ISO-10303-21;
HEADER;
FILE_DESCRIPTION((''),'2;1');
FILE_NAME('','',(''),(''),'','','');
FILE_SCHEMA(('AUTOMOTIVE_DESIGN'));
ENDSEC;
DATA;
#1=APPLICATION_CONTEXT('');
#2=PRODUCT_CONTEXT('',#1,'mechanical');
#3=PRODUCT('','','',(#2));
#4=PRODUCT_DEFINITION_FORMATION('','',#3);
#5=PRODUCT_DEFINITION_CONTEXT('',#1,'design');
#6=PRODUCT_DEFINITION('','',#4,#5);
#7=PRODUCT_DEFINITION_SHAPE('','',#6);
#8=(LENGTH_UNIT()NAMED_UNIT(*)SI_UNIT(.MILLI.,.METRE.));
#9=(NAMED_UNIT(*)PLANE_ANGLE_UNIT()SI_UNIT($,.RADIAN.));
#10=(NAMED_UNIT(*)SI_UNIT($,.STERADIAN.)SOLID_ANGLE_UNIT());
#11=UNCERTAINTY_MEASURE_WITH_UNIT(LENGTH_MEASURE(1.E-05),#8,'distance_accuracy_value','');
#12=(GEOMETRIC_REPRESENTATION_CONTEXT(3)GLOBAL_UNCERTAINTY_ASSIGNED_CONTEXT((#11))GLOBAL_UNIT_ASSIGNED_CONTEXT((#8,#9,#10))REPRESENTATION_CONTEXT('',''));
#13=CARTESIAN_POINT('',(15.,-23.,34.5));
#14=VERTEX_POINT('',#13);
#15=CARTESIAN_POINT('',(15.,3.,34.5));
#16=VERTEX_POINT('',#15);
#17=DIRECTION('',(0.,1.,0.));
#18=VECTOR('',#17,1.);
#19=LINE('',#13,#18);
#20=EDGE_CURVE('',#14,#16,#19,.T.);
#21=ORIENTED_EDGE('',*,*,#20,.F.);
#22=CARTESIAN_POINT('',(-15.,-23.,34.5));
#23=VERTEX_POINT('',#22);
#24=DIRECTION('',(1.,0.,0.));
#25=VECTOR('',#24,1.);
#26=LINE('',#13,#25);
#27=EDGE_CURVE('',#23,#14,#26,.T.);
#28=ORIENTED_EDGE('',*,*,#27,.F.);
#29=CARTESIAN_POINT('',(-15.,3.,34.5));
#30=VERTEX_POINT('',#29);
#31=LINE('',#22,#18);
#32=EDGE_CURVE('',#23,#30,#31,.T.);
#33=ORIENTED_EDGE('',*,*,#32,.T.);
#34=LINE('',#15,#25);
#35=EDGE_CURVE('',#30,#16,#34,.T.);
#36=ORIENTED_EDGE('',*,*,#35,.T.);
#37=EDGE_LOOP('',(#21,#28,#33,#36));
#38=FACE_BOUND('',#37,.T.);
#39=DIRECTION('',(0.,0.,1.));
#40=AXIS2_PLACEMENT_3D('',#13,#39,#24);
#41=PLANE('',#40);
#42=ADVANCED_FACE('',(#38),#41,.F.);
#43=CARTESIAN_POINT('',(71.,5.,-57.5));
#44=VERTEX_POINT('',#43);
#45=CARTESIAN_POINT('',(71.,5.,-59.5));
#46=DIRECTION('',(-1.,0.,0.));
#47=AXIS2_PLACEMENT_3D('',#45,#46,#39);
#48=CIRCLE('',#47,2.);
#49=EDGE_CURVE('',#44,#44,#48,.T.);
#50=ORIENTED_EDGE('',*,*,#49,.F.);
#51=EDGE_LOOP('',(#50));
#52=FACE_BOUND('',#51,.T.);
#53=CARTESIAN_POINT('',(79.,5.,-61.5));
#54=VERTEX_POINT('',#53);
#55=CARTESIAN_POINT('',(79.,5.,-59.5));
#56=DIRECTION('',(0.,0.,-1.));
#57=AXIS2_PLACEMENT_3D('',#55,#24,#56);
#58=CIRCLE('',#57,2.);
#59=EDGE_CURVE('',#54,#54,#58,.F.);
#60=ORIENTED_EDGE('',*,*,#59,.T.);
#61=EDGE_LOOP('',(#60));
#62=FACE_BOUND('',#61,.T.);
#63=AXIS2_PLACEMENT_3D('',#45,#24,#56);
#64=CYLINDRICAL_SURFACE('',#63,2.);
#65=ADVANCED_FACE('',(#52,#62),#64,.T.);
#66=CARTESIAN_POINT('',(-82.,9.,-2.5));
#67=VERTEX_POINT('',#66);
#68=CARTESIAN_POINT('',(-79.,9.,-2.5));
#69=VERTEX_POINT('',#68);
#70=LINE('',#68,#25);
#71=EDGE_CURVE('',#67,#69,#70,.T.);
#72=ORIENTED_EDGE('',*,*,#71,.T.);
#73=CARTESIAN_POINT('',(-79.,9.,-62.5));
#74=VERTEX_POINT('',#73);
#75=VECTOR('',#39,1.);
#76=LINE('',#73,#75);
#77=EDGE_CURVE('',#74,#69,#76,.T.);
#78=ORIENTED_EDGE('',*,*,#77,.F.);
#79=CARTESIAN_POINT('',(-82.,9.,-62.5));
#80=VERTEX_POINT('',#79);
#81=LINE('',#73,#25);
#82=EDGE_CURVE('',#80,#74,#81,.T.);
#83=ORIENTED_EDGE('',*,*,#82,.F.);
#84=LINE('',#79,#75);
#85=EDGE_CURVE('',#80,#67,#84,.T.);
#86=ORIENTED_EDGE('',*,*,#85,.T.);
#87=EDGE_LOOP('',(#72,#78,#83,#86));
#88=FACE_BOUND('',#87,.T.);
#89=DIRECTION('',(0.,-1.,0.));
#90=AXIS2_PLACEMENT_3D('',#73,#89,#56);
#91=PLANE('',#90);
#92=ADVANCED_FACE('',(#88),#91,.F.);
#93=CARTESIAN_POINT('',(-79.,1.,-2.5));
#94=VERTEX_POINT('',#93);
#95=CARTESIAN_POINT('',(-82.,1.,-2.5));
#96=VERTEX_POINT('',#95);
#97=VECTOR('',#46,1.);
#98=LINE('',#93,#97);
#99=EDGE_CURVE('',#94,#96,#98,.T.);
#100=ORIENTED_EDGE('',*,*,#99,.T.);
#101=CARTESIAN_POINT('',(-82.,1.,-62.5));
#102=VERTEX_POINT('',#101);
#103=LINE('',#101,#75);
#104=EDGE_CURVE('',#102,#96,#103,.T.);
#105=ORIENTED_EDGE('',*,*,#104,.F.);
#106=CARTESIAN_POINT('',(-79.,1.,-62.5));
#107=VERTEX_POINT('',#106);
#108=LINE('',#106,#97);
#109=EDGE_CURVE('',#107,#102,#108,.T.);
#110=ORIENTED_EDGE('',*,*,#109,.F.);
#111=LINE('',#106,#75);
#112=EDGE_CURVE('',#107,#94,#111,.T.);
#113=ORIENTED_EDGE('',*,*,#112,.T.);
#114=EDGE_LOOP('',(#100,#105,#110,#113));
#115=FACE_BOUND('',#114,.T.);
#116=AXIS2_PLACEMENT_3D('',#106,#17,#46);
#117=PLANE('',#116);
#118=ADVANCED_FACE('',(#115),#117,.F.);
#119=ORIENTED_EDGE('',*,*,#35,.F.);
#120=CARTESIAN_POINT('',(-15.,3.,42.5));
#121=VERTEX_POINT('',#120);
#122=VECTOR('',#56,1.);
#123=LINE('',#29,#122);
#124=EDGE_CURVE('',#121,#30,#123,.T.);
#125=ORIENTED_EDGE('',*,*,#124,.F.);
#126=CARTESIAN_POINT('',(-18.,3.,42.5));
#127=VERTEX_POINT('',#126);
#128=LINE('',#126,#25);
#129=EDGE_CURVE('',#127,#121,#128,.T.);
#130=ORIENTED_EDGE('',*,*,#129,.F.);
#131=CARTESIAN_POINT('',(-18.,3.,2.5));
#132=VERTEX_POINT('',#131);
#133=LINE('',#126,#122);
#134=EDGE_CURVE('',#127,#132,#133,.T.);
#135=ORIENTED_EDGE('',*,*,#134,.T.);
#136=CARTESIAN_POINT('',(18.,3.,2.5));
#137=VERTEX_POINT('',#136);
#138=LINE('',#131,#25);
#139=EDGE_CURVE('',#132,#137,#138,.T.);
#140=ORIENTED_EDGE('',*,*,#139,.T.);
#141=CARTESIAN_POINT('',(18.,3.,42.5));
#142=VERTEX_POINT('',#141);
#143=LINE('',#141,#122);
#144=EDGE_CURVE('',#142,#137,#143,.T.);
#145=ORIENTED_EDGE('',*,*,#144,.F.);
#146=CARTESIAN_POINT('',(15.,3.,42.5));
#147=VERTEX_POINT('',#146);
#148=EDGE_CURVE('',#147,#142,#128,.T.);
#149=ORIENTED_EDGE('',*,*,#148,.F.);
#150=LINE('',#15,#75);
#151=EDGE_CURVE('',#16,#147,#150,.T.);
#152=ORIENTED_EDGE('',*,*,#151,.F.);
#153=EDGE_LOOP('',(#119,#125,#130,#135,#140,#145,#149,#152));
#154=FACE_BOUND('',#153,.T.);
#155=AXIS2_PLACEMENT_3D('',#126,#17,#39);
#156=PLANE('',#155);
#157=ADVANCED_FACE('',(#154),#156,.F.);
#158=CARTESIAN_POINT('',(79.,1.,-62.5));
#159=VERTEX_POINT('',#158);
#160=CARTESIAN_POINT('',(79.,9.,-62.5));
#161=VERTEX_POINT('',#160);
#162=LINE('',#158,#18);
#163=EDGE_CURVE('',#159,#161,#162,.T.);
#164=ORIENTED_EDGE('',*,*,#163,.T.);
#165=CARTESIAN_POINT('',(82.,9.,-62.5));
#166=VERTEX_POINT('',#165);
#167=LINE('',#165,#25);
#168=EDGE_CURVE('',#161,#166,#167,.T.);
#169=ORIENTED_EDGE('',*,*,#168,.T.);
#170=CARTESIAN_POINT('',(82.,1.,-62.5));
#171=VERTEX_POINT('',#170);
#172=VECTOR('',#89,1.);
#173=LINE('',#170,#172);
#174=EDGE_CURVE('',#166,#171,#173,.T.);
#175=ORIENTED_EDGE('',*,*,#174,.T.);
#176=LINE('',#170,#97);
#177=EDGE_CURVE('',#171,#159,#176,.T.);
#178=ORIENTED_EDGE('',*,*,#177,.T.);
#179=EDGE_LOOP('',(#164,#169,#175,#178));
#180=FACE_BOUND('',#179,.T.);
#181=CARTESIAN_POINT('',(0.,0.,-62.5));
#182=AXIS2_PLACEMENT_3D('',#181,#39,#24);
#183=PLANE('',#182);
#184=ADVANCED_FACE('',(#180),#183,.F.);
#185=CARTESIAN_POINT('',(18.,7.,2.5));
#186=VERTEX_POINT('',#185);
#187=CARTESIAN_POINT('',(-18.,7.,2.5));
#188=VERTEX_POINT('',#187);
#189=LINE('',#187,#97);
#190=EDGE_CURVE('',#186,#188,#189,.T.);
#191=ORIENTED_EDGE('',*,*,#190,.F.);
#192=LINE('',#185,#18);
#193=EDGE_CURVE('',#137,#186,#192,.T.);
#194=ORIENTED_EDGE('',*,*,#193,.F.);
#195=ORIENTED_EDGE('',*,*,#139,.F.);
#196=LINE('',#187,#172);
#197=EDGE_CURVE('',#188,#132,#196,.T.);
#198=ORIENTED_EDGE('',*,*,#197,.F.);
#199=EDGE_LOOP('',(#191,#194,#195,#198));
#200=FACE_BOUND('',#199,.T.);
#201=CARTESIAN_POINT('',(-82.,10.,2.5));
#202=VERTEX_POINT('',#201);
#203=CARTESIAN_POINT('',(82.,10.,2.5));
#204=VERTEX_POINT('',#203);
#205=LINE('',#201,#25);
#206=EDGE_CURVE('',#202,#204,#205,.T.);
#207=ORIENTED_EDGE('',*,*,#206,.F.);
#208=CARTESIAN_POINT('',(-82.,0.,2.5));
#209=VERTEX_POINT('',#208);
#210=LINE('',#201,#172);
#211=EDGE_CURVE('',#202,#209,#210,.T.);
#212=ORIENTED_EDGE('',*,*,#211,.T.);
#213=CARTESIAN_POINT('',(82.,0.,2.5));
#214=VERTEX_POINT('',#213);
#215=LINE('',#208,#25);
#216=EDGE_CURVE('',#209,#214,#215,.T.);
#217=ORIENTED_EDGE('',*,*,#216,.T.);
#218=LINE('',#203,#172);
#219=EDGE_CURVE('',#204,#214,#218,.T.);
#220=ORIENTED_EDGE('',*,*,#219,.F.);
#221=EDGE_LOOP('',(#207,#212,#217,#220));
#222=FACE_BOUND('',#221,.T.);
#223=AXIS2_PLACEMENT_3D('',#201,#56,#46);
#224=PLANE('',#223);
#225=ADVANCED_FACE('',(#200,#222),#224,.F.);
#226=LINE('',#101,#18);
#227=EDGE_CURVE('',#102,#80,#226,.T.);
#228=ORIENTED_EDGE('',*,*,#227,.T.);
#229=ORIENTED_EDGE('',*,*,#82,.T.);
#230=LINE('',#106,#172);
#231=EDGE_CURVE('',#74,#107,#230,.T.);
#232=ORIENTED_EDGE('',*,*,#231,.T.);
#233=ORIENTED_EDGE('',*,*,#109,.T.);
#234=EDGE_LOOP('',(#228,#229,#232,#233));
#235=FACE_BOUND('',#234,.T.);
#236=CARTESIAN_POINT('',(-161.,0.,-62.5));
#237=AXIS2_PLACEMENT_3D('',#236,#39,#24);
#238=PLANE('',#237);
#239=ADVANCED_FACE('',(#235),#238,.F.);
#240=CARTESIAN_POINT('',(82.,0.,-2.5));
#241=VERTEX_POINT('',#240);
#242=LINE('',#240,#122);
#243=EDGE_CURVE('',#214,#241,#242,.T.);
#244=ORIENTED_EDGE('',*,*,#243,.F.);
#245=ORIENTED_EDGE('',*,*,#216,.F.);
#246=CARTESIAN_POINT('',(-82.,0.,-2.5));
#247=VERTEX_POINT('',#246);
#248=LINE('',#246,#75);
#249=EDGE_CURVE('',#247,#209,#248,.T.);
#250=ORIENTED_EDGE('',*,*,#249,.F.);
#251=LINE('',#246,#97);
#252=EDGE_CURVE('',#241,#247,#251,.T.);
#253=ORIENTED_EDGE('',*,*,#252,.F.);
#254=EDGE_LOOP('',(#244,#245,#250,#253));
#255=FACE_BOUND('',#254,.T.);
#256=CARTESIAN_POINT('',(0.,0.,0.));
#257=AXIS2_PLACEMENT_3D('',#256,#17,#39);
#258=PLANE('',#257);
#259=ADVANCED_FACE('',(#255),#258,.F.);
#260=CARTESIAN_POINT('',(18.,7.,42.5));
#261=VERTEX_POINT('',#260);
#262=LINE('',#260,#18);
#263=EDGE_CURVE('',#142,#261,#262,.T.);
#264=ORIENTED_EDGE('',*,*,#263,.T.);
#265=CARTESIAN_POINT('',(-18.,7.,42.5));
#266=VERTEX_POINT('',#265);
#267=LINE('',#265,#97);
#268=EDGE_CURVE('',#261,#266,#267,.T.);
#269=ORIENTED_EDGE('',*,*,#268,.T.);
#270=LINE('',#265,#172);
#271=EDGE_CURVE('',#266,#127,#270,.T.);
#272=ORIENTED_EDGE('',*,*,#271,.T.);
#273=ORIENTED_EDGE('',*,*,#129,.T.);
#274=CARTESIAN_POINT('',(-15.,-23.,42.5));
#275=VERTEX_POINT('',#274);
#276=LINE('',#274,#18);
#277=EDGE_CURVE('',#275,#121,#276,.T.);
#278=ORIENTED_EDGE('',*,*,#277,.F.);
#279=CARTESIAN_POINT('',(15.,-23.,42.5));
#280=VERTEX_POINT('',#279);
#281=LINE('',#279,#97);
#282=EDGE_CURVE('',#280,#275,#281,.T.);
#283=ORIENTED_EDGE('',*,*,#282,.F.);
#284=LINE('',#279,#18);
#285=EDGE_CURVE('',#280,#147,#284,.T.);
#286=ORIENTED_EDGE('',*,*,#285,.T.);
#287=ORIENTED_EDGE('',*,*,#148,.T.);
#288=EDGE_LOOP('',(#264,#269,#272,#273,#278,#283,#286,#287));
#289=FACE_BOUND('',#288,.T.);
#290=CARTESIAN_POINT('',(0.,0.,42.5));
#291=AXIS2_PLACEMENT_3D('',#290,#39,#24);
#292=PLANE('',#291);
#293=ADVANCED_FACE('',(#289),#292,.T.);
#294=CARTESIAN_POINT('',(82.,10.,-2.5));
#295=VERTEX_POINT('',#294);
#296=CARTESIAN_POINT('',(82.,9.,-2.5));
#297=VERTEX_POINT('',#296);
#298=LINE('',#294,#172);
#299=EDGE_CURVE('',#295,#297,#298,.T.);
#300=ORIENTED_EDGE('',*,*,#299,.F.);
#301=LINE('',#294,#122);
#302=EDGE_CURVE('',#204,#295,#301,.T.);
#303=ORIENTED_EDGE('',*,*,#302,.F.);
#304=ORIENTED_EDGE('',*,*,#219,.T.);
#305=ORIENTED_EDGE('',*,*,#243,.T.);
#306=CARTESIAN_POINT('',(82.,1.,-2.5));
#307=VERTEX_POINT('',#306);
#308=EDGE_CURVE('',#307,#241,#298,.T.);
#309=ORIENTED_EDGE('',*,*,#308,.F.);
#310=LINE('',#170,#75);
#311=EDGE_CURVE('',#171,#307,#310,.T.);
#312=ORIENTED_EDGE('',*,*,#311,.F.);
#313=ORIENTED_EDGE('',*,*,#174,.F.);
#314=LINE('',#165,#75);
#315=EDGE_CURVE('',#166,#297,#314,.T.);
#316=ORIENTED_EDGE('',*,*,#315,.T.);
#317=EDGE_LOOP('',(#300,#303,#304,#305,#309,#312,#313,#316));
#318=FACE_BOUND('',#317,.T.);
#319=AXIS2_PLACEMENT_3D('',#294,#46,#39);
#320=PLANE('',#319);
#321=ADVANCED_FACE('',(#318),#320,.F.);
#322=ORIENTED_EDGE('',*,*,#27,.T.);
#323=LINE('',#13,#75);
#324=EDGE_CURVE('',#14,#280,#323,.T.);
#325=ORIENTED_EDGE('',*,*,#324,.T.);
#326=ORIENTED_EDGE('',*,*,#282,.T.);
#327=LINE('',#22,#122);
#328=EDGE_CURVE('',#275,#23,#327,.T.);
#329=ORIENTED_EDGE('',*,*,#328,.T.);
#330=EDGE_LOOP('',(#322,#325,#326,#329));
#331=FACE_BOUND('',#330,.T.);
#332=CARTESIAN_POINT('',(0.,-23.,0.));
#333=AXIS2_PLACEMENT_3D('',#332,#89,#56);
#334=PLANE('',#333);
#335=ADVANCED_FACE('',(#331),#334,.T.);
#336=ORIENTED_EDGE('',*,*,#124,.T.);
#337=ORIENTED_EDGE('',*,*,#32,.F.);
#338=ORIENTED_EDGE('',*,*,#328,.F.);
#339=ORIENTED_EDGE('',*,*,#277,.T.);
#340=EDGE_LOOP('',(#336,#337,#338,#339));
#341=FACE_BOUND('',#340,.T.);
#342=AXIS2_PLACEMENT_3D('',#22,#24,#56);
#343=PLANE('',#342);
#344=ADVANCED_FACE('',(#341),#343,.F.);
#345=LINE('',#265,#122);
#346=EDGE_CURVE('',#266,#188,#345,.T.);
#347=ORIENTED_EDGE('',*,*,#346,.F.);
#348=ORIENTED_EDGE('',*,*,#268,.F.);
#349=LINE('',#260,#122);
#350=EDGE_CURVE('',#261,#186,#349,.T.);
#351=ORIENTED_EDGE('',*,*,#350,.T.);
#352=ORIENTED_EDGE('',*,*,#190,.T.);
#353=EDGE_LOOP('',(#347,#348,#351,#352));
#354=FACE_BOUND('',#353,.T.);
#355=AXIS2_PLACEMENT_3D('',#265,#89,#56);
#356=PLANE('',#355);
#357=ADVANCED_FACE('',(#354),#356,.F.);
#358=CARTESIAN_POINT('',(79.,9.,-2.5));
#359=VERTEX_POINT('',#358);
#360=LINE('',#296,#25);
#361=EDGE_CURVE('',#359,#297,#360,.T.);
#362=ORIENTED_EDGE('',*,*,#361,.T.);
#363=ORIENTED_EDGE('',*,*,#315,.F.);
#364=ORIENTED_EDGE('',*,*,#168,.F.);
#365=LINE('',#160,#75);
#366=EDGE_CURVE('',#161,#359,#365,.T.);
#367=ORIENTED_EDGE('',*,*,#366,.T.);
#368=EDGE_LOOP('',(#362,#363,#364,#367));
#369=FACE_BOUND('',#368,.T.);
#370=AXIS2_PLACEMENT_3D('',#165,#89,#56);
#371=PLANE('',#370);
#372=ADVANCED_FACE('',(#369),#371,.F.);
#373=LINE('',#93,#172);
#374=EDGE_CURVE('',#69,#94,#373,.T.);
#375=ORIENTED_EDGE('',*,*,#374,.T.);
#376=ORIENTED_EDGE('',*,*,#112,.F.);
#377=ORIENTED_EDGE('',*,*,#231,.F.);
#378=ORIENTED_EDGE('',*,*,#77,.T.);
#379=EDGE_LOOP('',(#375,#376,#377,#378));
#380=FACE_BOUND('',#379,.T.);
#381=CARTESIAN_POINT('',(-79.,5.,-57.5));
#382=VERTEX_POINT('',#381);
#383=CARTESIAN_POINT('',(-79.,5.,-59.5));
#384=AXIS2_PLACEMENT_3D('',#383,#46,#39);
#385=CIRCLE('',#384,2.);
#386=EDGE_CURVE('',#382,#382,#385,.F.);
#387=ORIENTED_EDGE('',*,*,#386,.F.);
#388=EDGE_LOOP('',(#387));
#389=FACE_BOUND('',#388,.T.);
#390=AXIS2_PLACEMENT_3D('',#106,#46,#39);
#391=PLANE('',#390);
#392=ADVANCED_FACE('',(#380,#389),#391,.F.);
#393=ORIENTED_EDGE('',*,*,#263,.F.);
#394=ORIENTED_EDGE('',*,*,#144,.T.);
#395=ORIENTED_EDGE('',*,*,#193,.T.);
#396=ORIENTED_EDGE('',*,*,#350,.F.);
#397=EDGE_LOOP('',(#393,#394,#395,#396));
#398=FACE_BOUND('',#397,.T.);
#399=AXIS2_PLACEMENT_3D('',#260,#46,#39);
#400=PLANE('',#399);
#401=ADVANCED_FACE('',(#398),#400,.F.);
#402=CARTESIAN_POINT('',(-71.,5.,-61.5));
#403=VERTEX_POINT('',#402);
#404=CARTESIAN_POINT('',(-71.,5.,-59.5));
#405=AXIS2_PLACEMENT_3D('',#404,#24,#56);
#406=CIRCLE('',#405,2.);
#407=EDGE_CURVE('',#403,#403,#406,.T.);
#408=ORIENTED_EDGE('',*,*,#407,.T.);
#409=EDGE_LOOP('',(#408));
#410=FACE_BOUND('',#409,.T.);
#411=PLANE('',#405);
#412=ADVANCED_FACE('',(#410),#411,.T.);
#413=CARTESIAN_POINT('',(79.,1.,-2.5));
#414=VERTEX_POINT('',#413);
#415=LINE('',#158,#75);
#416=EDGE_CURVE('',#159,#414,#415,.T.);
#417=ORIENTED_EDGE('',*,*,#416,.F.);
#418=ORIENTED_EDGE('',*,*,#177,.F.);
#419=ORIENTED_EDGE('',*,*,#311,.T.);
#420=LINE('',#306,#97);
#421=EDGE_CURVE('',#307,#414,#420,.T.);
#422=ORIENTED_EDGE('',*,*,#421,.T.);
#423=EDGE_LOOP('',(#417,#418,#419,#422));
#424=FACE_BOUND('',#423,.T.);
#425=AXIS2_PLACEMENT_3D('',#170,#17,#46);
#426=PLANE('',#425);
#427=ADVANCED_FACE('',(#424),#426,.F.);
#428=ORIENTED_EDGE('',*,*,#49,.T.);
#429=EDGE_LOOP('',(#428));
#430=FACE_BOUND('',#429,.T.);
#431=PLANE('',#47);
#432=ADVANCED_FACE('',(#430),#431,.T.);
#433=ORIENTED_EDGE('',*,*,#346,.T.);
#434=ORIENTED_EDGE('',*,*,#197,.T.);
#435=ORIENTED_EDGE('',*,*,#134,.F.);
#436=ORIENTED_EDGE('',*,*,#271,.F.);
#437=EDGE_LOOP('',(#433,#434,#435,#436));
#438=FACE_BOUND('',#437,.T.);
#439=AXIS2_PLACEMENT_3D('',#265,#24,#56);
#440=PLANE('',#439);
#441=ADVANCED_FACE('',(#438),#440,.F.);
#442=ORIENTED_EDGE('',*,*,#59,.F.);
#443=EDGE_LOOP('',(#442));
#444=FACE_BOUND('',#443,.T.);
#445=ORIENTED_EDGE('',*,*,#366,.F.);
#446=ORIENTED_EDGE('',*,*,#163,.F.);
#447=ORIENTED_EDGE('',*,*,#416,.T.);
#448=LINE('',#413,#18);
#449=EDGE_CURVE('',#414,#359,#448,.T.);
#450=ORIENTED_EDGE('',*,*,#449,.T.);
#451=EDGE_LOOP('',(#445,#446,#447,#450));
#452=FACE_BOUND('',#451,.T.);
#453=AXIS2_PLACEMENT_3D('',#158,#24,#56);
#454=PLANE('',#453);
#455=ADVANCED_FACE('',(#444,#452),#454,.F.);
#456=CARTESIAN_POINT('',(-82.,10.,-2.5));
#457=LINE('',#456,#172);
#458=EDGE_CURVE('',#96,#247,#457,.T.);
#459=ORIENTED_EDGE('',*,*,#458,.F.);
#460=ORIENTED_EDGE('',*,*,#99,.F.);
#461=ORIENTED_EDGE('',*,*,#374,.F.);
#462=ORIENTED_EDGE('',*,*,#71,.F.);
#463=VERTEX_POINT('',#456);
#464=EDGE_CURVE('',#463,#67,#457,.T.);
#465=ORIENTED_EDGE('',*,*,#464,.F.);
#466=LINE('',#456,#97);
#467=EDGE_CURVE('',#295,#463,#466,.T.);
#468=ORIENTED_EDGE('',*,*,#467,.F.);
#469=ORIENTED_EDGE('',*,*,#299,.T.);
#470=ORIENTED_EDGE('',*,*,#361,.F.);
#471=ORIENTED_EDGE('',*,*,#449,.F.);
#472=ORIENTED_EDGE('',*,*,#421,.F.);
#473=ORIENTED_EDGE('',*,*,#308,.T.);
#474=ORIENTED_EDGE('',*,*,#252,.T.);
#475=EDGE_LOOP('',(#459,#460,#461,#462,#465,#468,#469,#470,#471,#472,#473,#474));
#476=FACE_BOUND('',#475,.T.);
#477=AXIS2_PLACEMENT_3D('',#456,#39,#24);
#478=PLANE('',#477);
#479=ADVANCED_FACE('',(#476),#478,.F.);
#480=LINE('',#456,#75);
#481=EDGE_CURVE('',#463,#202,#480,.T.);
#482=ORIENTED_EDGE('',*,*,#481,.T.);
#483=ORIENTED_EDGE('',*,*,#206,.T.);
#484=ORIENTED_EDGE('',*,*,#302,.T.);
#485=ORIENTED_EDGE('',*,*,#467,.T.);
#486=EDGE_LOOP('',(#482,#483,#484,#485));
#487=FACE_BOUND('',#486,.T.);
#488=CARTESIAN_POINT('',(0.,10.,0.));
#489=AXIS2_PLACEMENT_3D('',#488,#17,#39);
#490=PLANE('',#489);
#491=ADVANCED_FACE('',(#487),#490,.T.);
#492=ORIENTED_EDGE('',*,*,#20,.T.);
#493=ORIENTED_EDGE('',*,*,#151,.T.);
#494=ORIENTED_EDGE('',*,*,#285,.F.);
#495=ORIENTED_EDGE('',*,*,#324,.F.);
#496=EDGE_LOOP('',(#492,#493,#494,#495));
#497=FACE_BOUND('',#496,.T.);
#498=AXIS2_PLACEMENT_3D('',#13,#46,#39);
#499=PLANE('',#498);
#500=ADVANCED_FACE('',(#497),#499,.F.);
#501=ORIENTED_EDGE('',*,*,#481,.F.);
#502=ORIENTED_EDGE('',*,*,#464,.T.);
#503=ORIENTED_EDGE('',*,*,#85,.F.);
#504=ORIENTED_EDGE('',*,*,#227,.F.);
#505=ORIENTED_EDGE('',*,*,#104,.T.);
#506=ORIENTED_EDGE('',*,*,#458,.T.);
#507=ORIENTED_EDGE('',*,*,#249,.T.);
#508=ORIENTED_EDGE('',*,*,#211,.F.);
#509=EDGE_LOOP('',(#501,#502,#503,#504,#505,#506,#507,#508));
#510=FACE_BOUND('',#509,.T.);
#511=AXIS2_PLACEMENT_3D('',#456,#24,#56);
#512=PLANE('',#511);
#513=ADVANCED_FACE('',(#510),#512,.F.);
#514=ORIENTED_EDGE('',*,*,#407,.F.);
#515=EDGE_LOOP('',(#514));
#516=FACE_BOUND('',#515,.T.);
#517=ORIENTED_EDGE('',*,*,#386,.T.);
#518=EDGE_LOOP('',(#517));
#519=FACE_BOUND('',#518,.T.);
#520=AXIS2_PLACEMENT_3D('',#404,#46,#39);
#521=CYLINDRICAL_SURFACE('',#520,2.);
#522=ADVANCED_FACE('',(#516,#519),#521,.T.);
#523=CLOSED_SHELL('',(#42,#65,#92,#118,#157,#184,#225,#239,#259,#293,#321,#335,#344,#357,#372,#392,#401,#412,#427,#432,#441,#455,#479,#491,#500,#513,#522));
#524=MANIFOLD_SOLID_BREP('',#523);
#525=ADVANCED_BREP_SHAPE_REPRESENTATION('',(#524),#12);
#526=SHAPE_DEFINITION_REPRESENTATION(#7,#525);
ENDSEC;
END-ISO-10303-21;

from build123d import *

# Parameters (mm, degrees)
SKETCH_1_W             = 164
SKETCH_1_H             = 5
EXTRUDE_1_DEPTH        = 10
SKETCH_2_W             = 3
SKETCH_2_H             = 8
EXTRUDE_2_DEPTH        = 60
PATTERN_LINEAR_1_COUNT = 2
PATTERN_LINEAR_1_PITCH = 161
SKETCH_4_R             = 2
EXTRUDE_3_DEPTH        = 8
EXTRUDE_START          = 8
SKETCH_5_R             = 2
EXTRUDE_4_DEPTH        = 8
SKETCH_6_W             = 36
SKETCH_6_H             = 4
EXTRUDE_5_DEPTH        = 40
SKETCH_7_W             = 30
SKETCH_7_H             = 8
EXTRUDE_6_DEPTH        = 26


with BuildPart() as part:
    # 草图1 → 凸台-拉伸1 (new body)
    with BuildSketch(Plane(origin=(0, 0, 0), x_dir=(1, 0, 0), z_dir=(0, 1, 0))):
        Rectangle(SKETCH_1_W, SKETCH_1_H)
    extrude(amount=EXTRUDE_1_DEPTH)

    # 草图2 → 凸台-拉伸2 (add)
    with BuildSketch(Plane(origin=(0, 0, -2.5), x_dir=(-1, 0, 0), z_dir=(0, 0, -1))):
        with Locations((-80.5, 5)):
            Rectangle(SKETCH_2_W, SKETCH_2_H)
    extrude_2 = extrude(amount=EXTRUDE_2_DEPTH)

    # 阵列(线性)1: 凸台-拉伸2 ×2
    with Locations(*[(-i * PATTERN_LINEAR_1_PITCH, 0, 0) for i in range(1, PATTERN_LINEAR_1_COUNT)]):
        add(extrude_2)

    # 草图4 → 凸台-拉伸3 (add)
    with BuildSketch(Plane(origin=(-79, 0, 0), x_dir=(0, 0, -1), z_dir=(1, 0, 0))):
        with Locations(Location((59.5, 5, 0), (0, 0, 180))):
            Circle(SKETCH_4_R)
    extrude(amount=EXTRUDE_3_DEPTH)

    # 草图5 → 凸台-拉伸4 (add)
    with BuildSketch(Plane.ZY.offset(-79).offset(EXTRUDE_START)):
        with Locations((-59.5, 5)):
            Circle(SKETCH_5_R)
    extrude(amount=-EXTRUDE_4_DEPTH)

    # 草图6 → 凸台-拉伸5 (add)
    with BuildSketch(Plane.XY.offset(2.5)):
        with Locations((0, 5)):
            Rectangle(SKETCH_6_W, SKETCH_6_H)
    extrude(amount=EXTRUDE_5_DEPTH)

    # 草图7 → 凸台-拉伸6 (add)
    with BuildSketch(Plane.XZ.offset(-3)):
        with Locations((0, 38.5)):
            Rectangle(SKETCH_7_W, SKETCH_7_H)
    extrude(amount=EXTRUDE_6_DEPTH)


solid = part.part
